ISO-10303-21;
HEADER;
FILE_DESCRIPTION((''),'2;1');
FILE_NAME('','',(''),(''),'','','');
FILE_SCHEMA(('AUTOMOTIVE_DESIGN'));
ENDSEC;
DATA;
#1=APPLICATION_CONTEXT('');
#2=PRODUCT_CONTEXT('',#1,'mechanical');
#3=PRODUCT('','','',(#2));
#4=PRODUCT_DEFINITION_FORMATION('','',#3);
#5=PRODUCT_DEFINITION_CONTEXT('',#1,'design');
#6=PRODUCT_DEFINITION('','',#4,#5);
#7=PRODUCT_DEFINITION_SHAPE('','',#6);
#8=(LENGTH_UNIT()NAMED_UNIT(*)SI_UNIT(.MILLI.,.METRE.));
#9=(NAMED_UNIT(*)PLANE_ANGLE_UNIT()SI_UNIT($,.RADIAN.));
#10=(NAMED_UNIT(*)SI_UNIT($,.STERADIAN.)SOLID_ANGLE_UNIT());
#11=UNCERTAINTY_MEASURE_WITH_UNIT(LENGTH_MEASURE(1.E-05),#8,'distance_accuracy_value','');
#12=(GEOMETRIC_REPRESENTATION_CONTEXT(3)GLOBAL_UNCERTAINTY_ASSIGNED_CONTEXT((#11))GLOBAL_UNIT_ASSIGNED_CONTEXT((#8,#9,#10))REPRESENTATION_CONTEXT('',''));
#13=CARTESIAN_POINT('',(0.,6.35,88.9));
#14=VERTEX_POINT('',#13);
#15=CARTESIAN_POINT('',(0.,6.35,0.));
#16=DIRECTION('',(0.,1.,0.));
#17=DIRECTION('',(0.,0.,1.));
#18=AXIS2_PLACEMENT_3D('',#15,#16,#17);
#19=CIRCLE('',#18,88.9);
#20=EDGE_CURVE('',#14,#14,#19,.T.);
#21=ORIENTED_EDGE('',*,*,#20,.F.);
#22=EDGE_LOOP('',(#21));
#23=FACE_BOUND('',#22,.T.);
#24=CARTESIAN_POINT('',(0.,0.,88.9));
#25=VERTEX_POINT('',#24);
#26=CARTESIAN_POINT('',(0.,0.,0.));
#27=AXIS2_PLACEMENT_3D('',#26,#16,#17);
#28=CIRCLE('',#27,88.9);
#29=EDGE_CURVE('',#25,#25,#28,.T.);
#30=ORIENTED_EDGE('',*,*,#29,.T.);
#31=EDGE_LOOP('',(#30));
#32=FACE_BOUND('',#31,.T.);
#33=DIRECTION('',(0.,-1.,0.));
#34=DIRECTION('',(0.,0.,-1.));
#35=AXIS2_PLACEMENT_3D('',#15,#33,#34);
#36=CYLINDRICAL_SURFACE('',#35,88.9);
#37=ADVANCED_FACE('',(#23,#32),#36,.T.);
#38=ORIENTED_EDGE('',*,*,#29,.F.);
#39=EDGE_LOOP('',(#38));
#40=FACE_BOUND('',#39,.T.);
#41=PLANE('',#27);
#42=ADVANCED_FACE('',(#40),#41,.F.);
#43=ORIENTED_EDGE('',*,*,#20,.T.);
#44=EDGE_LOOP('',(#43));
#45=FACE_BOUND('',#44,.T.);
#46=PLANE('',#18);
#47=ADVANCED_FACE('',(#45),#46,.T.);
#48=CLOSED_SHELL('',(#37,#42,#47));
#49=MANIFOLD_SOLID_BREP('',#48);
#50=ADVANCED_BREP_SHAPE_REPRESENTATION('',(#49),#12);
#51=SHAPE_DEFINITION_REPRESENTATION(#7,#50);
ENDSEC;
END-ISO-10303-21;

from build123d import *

# Parameters (mm, degrees)
SKETCH1_R           = 88.9
BOSS_EXTRUDE1_DEPTH = 6.35


with BuildPart() as part:
    # Sketch1 → Boss-Extrude1 (new body)
    with BuildSketch(Plane(origin=(0, 0, 0), x_dir=(1, 0, 0), z_dir=(0, 1, 0))):
        with Locations(Location((0, 0, 0), (0, 0, 270))):
            Circle(SKETCH1_R)
    extrude(amount=BOSS_EXTRUDE1_DEPTH)


solid = part.part
